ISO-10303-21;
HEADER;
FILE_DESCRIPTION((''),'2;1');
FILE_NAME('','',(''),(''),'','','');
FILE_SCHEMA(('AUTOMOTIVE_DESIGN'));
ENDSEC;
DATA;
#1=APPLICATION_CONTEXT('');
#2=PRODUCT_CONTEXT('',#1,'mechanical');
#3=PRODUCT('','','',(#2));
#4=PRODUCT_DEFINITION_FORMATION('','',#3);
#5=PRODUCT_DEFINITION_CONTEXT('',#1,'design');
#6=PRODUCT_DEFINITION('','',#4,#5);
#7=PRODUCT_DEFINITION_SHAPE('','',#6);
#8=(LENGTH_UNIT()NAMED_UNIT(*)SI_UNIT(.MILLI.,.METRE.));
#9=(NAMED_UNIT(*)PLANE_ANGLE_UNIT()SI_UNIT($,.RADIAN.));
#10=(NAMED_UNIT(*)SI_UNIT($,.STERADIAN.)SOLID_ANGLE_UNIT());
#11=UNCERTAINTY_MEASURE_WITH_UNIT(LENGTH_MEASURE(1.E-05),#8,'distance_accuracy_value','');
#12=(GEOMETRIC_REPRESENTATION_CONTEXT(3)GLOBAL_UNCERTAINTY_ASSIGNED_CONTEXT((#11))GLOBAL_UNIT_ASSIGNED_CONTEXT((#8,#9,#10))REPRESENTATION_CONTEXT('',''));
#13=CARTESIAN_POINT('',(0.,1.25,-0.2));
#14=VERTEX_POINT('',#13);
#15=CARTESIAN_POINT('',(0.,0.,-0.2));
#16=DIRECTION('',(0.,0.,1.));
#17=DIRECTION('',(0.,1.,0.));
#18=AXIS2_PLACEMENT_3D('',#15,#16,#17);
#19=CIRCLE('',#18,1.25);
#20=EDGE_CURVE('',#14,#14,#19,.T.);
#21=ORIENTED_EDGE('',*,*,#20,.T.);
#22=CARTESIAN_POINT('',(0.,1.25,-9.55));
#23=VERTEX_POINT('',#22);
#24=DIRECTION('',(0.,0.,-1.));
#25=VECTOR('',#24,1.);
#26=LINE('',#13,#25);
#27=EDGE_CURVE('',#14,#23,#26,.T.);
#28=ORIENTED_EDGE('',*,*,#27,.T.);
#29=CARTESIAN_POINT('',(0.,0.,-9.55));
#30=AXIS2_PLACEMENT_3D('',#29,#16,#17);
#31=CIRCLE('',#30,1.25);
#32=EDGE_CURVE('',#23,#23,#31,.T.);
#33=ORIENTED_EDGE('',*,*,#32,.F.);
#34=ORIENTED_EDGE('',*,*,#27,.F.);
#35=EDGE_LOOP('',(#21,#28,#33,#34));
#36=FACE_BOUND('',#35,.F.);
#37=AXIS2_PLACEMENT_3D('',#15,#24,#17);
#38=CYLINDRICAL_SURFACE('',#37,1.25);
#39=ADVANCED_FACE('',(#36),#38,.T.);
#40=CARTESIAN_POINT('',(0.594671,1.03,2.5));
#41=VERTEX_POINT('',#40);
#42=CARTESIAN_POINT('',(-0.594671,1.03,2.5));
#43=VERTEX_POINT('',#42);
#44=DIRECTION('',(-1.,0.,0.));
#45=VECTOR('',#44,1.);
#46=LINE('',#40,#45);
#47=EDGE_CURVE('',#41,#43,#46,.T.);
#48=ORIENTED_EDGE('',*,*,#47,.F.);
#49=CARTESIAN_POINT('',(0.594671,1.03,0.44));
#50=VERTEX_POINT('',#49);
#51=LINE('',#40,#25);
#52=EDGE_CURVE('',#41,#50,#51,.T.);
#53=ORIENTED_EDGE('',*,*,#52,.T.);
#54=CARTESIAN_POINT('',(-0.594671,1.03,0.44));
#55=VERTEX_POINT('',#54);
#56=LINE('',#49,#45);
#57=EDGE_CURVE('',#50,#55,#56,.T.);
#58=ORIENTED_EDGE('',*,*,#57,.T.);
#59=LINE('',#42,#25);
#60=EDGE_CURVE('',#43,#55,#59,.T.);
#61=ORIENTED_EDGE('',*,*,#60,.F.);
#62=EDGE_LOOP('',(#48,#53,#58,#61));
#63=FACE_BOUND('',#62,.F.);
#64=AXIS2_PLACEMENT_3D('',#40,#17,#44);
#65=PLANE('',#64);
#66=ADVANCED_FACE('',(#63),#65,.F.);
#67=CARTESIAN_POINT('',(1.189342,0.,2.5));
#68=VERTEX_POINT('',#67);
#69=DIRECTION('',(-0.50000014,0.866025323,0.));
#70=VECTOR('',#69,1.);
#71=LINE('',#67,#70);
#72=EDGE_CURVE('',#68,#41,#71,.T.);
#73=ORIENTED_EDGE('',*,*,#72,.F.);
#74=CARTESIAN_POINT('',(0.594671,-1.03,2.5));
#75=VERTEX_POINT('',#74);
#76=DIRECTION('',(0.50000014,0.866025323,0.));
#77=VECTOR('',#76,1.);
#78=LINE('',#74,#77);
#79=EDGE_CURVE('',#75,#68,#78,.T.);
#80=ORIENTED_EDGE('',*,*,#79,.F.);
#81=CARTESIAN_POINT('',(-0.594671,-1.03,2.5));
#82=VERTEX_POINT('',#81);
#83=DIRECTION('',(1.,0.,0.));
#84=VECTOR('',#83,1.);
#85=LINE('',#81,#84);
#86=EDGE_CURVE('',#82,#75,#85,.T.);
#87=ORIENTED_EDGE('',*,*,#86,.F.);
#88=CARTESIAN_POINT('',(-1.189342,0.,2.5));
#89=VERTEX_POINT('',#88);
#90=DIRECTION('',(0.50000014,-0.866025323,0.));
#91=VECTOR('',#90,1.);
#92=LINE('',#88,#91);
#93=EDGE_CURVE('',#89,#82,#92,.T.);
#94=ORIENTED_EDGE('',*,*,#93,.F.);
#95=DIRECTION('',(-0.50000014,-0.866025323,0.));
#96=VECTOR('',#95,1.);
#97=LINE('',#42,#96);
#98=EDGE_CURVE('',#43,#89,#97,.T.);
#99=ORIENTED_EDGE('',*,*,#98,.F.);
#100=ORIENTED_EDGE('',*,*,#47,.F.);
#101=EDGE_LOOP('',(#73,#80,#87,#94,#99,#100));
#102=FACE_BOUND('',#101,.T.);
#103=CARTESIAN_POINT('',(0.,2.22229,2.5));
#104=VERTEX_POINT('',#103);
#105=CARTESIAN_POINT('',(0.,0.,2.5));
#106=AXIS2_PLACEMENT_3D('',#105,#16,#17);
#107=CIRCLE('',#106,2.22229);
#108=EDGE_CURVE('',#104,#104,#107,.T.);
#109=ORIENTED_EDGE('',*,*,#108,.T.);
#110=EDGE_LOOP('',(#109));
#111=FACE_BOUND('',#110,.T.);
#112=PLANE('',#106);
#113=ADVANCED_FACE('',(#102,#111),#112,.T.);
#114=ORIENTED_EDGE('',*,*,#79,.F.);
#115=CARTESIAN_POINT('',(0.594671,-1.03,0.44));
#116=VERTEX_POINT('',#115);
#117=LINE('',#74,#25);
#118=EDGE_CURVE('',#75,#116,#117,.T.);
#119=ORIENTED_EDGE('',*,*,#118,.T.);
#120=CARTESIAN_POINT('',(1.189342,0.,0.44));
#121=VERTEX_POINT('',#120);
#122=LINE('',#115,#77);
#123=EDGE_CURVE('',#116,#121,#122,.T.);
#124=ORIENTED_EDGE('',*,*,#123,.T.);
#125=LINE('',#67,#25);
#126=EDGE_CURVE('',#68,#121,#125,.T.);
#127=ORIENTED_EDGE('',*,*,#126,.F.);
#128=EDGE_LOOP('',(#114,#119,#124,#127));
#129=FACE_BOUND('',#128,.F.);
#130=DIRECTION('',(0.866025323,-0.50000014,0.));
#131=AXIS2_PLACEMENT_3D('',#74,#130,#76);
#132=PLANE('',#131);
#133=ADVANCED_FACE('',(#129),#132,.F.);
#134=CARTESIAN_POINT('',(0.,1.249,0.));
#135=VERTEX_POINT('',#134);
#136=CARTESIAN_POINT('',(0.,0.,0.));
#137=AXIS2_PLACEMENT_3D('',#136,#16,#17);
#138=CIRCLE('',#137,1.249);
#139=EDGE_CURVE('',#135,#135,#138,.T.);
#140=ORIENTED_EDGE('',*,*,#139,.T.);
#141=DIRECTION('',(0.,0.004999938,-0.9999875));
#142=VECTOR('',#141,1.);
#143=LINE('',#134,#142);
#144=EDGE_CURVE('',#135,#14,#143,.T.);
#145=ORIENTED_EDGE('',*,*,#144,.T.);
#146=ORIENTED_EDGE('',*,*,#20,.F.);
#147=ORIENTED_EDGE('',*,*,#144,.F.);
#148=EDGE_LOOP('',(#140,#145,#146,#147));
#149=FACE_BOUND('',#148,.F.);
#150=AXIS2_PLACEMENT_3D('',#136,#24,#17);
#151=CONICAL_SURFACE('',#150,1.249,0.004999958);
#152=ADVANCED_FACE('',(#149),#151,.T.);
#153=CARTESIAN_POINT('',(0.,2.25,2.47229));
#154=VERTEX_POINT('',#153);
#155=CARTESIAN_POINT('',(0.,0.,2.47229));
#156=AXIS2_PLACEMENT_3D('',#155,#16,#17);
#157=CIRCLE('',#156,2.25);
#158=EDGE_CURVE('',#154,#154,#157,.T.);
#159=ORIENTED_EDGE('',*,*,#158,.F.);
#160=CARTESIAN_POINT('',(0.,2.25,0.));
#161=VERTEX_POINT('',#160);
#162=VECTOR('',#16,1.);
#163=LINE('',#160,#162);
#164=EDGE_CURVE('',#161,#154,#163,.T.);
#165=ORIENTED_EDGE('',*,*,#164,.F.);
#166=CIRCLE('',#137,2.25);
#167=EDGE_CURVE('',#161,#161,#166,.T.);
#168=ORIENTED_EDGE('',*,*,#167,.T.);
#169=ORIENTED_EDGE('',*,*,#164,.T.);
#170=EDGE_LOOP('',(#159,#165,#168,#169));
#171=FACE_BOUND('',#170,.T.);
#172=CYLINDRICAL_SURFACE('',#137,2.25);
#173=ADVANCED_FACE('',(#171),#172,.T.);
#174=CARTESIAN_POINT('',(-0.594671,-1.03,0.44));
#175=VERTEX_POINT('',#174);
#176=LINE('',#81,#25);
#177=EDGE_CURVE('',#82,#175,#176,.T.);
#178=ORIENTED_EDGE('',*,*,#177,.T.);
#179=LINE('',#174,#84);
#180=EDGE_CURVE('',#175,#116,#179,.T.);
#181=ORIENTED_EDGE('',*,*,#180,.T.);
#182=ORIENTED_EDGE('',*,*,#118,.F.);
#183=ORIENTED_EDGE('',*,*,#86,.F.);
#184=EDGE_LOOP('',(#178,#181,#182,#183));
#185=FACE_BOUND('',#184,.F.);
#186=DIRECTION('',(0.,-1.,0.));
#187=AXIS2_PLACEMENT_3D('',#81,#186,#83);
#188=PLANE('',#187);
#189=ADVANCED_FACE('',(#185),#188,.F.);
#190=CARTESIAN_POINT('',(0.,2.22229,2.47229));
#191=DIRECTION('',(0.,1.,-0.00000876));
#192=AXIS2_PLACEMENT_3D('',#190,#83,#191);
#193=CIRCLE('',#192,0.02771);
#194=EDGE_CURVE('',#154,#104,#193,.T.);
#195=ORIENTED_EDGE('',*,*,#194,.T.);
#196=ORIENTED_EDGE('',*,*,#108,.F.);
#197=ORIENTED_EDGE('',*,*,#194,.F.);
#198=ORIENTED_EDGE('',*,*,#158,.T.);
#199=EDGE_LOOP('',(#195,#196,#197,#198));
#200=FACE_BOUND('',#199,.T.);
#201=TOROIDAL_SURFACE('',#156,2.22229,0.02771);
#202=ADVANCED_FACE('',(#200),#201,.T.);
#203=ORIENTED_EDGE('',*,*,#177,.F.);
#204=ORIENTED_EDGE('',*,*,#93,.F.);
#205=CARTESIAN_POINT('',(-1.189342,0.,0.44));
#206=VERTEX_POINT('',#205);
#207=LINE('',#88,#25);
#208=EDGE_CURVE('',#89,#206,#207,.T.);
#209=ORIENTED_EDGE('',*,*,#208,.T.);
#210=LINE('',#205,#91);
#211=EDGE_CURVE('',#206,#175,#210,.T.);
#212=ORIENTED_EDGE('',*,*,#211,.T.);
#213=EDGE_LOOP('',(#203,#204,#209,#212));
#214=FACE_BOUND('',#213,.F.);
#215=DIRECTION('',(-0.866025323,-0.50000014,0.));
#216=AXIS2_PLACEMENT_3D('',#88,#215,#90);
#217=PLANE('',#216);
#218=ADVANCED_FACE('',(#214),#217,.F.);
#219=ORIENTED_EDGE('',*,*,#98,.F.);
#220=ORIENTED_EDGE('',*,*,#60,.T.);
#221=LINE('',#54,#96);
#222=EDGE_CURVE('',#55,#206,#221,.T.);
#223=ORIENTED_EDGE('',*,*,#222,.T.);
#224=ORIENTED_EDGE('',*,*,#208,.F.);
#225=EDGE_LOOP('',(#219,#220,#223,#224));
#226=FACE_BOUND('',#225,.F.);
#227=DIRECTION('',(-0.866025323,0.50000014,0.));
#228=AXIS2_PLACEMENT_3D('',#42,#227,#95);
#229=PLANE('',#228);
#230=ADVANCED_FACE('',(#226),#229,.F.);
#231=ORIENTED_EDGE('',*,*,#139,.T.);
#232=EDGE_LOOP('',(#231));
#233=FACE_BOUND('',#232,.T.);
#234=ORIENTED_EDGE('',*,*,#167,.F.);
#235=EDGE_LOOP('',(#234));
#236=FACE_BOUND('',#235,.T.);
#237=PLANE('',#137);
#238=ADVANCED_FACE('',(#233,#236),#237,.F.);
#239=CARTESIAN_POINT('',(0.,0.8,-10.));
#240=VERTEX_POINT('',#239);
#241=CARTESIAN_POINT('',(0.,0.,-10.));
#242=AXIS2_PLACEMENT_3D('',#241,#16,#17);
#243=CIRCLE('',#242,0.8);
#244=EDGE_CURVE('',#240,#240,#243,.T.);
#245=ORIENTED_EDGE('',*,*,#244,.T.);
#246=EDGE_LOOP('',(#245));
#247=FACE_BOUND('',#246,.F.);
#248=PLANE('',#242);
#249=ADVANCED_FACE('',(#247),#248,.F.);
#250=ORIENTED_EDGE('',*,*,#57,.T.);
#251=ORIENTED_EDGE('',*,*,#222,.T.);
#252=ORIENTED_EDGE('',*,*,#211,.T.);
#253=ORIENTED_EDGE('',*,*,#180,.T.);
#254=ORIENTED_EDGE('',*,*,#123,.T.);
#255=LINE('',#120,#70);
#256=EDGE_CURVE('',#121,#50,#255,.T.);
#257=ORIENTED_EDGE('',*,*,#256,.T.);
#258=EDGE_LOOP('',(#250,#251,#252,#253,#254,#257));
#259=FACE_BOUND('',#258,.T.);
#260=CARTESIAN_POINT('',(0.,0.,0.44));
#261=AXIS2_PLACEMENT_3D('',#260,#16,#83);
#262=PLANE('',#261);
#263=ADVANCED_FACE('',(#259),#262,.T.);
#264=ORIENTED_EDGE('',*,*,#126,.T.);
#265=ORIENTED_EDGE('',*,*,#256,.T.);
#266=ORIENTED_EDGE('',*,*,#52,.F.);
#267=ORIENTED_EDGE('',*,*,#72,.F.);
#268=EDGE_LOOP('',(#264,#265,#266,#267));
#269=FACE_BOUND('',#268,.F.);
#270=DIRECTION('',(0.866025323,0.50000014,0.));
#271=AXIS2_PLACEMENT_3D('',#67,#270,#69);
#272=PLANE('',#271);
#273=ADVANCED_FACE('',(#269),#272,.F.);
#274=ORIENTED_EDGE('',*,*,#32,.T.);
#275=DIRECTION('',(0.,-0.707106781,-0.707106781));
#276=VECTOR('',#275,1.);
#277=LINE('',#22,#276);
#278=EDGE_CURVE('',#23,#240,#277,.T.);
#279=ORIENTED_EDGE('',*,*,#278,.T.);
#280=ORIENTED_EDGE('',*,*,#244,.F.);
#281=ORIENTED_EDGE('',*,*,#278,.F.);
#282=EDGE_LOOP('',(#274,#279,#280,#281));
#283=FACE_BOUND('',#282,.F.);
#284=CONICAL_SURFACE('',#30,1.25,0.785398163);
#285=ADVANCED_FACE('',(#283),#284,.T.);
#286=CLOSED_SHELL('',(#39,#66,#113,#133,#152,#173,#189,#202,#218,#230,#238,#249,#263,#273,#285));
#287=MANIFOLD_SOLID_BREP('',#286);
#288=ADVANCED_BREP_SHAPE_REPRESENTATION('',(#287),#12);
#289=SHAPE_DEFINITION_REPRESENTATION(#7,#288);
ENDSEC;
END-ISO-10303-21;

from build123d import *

# Parameters (mm, degrees)
POCKET_DEPTH = 2.06


with BuildPart() as part:
    # Sketch → Revolve (revolve)
    with BuildSketch(Plane.YZ):
        with BuildLine():
            Line((1.249, 0), (2.25, 0))
            Line((2.25, 0), (2.25, 2.47229))
            ThreePointArc((2.25, 2.47229), (2.241884, 2.491884), (2.22229, 2.5))
            Line((2.22229, 2.5), (0, 2.5))
            Line((0, -10), (0, 2.5))
            Line((0.8, -10), (0, -10))
            Line((1.25, -9.55), (0.8, -10))
            Line((1.25, -0.2), (1.25, -9.55))
            Line((1.249, 0), (1.25, -0.2))
        make_face()
    revolve(axis=Axis((0, 0, 0), (0, 0, 1)))

    # Sketch001 → Pocket (cut)
    with BuildSketch(Plane.XY.offset(2.5)):
        Polygon((1.189342, 0), (0.594671, 1.03), (-0.594671, 1.03), (-1.189342, 0), (-0.594671, -1.03), (0.594671, -1.03), align=None)
    extrude(amount=-POCKET_DEPTH, mode=Mode.SUBTRACT)


solid = part.part
